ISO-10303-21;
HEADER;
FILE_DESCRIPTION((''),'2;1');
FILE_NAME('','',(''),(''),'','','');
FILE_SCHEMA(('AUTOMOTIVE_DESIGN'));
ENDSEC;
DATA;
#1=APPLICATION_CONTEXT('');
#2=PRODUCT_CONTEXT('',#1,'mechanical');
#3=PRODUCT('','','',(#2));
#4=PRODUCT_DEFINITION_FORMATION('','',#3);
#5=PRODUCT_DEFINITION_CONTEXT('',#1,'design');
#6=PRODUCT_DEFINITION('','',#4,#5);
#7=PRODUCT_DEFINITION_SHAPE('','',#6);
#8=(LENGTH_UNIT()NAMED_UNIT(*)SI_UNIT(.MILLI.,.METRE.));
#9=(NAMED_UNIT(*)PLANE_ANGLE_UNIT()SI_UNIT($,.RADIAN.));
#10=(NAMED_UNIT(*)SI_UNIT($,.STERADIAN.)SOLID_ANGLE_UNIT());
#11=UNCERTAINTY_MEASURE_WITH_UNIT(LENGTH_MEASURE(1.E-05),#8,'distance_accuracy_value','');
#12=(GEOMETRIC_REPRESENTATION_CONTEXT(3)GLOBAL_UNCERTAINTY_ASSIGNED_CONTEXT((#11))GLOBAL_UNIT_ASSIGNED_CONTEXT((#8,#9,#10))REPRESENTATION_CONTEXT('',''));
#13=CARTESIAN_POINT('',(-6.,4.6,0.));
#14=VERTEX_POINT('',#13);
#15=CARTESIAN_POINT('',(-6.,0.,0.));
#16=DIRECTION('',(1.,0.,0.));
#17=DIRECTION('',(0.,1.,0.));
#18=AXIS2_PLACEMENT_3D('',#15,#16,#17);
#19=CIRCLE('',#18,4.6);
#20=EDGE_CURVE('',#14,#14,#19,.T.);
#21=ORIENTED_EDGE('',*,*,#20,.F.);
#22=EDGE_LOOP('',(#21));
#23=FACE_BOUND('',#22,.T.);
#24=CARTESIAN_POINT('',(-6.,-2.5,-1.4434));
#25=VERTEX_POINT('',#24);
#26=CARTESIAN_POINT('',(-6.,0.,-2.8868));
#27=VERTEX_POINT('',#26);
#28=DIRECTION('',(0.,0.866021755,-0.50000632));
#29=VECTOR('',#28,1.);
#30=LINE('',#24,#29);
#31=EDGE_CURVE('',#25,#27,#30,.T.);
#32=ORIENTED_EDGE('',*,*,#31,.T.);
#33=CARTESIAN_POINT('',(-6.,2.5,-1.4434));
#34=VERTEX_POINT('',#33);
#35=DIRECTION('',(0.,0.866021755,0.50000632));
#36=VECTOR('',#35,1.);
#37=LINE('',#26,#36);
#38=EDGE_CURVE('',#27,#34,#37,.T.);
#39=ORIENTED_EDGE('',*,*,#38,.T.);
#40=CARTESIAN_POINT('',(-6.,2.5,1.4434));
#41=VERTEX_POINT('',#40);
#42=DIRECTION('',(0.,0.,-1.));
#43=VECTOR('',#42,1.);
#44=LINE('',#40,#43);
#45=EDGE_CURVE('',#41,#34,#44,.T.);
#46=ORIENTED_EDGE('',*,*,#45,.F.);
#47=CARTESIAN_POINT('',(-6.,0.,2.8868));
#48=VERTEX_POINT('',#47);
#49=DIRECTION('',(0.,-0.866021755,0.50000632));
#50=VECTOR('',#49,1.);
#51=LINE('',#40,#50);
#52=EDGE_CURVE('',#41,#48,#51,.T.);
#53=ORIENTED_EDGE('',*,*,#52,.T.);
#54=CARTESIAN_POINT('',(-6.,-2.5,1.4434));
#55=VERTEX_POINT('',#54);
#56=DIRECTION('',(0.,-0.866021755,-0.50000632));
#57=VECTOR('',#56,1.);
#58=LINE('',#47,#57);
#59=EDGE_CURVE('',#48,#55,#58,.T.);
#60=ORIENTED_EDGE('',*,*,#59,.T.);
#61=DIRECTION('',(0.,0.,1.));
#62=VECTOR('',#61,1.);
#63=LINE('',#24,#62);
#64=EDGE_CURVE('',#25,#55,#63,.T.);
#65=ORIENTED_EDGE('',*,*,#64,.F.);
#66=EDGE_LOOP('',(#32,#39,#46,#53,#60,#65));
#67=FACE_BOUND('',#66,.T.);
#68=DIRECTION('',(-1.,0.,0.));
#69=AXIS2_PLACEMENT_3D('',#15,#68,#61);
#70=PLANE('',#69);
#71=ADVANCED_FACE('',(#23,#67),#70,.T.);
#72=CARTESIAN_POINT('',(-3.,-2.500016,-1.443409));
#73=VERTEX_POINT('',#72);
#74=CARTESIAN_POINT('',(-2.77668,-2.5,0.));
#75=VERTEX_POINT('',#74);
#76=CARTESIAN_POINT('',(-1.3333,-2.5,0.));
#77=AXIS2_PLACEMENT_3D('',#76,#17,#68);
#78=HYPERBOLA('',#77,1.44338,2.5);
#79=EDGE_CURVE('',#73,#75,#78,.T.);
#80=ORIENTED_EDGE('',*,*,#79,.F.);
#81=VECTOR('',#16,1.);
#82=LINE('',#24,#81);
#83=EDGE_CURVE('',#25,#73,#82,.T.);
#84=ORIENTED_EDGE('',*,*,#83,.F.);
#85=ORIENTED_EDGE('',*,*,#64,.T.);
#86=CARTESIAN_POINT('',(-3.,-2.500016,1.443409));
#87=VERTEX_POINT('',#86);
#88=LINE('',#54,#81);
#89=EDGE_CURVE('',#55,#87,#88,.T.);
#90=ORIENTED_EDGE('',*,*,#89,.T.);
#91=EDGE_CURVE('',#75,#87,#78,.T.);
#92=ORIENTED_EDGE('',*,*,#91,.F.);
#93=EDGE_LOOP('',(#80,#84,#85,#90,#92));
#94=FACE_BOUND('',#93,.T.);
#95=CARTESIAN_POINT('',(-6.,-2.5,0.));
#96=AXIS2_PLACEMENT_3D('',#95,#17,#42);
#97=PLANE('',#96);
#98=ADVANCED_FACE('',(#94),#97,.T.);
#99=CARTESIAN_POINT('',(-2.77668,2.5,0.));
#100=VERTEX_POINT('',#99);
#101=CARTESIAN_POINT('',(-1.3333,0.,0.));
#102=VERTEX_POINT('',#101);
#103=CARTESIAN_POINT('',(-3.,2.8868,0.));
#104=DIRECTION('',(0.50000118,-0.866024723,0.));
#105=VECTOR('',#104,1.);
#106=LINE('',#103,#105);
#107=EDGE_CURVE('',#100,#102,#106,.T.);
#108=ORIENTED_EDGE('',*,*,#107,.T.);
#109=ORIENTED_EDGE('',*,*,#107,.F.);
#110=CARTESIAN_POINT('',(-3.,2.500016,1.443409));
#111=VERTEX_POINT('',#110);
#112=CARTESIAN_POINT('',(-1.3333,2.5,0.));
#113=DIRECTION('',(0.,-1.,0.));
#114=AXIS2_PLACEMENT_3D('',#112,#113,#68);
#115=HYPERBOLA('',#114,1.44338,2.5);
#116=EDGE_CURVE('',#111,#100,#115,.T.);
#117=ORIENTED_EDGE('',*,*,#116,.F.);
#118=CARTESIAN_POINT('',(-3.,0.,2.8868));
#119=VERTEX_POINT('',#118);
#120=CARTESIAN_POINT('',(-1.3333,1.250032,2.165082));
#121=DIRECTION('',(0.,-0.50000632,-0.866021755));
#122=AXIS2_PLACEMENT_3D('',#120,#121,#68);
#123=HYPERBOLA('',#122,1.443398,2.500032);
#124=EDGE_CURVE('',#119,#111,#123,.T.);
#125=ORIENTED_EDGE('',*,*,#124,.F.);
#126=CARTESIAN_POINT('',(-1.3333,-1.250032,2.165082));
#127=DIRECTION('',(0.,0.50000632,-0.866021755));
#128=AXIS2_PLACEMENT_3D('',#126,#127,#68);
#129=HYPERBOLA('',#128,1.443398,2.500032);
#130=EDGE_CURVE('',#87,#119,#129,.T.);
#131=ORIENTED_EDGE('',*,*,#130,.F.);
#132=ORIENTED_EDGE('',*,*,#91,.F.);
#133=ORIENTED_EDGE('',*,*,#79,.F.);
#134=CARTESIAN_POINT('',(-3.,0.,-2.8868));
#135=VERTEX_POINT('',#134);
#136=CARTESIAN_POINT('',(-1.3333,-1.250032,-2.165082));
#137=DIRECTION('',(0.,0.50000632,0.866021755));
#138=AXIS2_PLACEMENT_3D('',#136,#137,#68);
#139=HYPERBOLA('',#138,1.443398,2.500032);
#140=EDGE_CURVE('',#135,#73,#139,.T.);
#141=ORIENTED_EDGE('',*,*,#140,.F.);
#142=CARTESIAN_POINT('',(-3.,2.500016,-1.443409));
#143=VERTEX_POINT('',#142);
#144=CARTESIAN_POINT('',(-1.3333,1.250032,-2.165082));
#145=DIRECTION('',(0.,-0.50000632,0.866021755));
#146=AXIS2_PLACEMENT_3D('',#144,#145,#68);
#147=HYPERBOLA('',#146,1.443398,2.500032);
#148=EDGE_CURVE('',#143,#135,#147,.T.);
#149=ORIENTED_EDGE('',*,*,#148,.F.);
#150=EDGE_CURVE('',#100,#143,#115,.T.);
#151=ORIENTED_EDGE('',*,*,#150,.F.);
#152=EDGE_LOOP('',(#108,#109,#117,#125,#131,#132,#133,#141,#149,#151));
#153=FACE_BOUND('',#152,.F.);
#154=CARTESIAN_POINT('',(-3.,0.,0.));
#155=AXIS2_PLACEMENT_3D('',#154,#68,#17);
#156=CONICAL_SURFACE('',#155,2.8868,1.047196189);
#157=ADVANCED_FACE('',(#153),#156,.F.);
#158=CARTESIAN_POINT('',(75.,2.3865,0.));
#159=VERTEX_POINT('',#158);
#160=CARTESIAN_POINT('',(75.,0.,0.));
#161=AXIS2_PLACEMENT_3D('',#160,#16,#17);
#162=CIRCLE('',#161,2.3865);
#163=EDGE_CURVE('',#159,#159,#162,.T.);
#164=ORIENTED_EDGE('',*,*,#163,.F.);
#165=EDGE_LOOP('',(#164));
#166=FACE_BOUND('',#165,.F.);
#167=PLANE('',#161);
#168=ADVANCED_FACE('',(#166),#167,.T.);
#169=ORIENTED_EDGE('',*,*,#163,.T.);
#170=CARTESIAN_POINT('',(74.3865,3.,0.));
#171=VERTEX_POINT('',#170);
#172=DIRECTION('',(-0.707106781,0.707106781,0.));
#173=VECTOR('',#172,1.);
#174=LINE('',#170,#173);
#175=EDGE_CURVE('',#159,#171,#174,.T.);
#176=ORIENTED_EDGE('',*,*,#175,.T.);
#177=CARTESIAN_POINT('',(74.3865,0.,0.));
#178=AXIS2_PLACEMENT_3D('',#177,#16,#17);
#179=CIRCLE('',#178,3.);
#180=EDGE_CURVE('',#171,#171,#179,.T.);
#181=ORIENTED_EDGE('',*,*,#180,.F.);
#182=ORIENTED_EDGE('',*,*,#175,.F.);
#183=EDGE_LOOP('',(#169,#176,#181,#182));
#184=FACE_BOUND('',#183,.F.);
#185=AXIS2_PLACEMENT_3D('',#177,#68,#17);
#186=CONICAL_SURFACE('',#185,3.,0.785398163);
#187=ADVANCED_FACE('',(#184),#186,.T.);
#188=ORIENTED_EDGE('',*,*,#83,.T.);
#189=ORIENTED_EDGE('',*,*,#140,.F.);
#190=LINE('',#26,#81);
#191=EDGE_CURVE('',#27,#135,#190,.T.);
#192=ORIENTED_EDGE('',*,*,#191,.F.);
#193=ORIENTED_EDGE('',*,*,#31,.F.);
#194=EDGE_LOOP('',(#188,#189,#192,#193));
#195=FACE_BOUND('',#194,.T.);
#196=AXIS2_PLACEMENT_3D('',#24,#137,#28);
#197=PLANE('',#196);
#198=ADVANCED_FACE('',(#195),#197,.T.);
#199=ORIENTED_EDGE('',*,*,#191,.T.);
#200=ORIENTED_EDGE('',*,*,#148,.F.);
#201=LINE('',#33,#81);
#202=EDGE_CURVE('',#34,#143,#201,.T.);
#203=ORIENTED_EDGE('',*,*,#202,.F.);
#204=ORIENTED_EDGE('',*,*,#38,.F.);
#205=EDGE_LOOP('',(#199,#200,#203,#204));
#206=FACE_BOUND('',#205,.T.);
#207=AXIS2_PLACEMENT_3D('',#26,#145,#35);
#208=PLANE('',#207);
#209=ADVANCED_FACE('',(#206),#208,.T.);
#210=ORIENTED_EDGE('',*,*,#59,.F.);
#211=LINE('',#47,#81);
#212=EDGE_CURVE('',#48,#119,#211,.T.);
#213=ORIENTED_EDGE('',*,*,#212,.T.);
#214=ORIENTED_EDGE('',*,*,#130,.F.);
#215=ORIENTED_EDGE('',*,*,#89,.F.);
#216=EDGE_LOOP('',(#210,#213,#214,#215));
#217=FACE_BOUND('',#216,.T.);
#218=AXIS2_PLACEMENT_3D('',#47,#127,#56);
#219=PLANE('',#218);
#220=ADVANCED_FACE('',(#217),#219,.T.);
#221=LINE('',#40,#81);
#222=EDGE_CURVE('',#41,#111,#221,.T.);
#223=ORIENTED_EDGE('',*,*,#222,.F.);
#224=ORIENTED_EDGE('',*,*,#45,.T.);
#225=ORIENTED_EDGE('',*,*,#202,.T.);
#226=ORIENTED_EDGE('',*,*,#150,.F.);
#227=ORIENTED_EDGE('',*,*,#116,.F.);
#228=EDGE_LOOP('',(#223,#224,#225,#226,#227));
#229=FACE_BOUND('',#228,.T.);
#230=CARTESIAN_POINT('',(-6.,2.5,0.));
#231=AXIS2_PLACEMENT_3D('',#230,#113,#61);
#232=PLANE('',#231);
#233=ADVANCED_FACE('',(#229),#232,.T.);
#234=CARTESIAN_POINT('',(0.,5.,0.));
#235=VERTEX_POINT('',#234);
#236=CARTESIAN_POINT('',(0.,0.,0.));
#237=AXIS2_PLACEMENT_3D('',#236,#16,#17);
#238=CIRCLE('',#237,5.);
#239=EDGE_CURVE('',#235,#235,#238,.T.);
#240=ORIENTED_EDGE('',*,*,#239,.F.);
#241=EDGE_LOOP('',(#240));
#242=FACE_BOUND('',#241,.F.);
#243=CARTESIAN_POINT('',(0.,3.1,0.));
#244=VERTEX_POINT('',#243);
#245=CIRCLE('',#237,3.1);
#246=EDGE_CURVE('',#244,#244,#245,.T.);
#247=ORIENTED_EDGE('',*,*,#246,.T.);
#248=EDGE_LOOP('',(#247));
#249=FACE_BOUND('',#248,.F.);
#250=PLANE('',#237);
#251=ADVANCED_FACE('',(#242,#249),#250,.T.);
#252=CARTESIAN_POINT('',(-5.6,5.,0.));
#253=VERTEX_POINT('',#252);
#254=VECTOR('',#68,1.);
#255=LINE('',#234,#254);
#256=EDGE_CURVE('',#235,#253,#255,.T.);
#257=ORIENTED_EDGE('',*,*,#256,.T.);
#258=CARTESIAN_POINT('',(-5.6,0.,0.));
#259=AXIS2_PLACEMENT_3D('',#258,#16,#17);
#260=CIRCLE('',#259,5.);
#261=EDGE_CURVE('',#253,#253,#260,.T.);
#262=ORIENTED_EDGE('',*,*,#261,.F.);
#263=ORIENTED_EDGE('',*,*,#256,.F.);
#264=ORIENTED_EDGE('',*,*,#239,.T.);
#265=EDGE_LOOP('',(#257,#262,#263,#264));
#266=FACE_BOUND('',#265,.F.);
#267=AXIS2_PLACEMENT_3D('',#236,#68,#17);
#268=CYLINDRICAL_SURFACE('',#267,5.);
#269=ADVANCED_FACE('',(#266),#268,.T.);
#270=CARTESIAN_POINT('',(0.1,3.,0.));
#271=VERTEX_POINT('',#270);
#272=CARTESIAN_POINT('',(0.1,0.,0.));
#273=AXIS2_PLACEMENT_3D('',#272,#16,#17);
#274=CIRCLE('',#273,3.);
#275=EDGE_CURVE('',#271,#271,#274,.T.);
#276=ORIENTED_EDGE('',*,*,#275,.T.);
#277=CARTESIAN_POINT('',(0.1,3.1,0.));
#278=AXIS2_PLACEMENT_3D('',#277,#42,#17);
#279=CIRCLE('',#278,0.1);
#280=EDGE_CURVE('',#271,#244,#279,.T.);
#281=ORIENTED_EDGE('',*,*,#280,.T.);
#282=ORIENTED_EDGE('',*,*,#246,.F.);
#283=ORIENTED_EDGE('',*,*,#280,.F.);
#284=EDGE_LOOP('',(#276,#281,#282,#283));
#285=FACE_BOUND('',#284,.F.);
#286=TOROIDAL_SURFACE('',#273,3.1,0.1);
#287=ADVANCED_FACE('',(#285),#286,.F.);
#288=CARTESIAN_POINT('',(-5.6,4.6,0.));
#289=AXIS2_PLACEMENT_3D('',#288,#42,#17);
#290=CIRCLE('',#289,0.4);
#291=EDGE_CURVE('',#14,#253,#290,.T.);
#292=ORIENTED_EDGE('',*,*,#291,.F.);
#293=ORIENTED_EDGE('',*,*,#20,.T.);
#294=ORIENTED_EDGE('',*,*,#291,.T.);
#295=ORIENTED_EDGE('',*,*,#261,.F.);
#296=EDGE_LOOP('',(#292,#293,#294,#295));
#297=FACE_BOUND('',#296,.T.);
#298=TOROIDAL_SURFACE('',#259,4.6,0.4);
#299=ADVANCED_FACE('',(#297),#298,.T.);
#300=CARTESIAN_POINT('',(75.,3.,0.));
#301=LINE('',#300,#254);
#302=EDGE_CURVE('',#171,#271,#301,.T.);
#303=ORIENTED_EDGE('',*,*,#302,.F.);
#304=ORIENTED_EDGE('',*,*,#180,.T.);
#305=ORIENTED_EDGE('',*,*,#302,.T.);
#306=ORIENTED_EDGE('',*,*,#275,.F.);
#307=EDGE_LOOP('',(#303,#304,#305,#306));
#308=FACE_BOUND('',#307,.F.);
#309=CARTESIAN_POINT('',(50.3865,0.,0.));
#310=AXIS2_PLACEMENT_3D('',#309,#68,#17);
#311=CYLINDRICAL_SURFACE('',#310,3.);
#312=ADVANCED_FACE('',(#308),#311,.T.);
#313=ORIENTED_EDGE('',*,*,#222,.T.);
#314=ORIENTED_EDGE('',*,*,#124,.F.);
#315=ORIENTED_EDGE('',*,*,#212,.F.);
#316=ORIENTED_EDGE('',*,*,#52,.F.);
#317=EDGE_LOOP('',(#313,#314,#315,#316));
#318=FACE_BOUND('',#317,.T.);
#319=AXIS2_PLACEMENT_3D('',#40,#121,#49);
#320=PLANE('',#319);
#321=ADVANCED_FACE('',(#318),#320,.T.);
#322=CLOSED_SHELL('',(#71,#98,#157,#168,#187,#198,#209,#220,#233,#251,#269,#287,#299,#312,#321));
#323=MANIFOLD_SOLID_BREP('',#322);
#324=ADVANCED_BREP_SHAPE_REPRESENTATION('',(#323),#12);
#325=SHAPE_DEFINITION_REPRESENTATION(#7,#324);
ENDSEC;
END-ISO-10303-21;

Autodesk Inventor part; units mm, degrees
ref_plane "YZ Plane" through (0, 0, 0) normal (1, 0, 0) x (0, 1, 0)
ref_plane "XZ Plane" through (0, 0, 0) normal (0, 1, 0) x (-1, 0, 0)
sketch "Sketch1" plane through (0, 0, 0) normal (0, 0, 1) x (1, 0, 0)
  line L0 (-1.3333, 0) -> (75, 0)
  line L1 (75, 0) -> (75, 3)
  line L2 (75, 3) -> (51, 3)
  line L3 (51, 3) -> (50.3865, 3)
  line L4 (50.3865, 3) -> (0, 3)
  line L5 (0, 3) -> (0, 5)
  line L6 (0, 5) -> (-6, 5)
  line L7 (-6, 5) -> (-6, 2.8868)
  line L8 (-6, 2.8868) -> (-3, 2.8868)
  line L9 (-3, 2.8868) -> (-1.3333, 0)
  line L10 (-22.2, 0) -> (91.2, 0) projected
  line L11 (0, -1) -> (0, 6) projected
  line L12 (51, 3) -> (0, 3) construction
  dimension "d1" = 24
  dimension "d2" = 0.6136
  dimension "d3" = 6
  dimension "d4" = 3
  dimension "d5" = 60
  dimension "d6" = 6
  dimension "d7" = 6
  dimension "d8" = 5.7735
  dimension "d9" = 10
  dimension "d26" = 75
revolve "Body" add sketch "Sketch1" angle 360 about axis through (-1.3333, 0, 0) along (1, 0, 0)
sketch "Sketch2" plane through (-6, 0, 0) normal (-1, 0, 0) x (0, 0, 1)
  circle A0 centre (0, 0) radius 2.8868 projected
  line L0 (0, -7) -> (0, 7) projected
  line L1 (-7, 0) -> (7, 0) projected
  line L2 (2.8868, 0) -> (1.4434, -2.5)
  line L3 (1.4434, -2.5) -> (-1.4434, -2.5)
  line L4 (-1.4434, -2.5) -> (-2.8868, 0)
  line L5 (-2.8868, 0) -> (-1.4434, 2.5)
  line L6 (-1.4434, 2.5) -> (1.4434, 2.5)
  line L7 (1.4434, 2.5) -> (2.8868, 0)
extrude "Slot" add sketch "Sketch2" against normal up to next contours L7 A0 | A0 L2 | L6 L0 A0 | A0 L0 L3 | L0 L6 A0 | A0 L3 L0 | L4 A0 | A0 L5
fillet "Fillet1" radius 0.4 1 edges at (-6, -5, 0)
thread "Thread" size "M6x1" class "6g" standard "ISO Metric profile" length 24
chamfer "Chamfer1" distance 0.6135 distance2 0.6135 1 edges at (75, -3, 0) measured on face at (75, -0.9709, -1.4067)
ref_plane "Work Plane1" through (29, 0, 0) normal (0, -1, 0) x (1, 0, 0)
fillet "Fillet2" radius 0.1 1 edges at (0, -3, 0)
equation "\"d1\" = GEL"
equation "\"d3\" = KOH"
equation "\"d4\" = INTI"
equation "\"d6\" = GD"
equation "\"d7\" = BDM"
equation "\"d8\" = 1.1547 * SW"
equation "\"d9\" = KOD"
equation "\"d26\" = NLG"
equation "\"d30\" = R"
equation "\"d17\" = RR"
equation "\"d13\" = GEL"
equation "\"d15\" = -0.5 * SPD + 0.5 * GD"
equation "\"d16\" = GUL"
equation "\"GD\" = NND"
equation "\"NLG\" = 75"
equation "\"GEL\" = 24"
equation "\"KOD\" = 10"
equation "\"KOH\" = NND"
equation "\"INTI\" = 3"
equation "\"GAL\" = 0.61345 * PTC"
equation "\"GUL\" = 0.61345 * PTC"
equation "\"BDM\" = NND"
equation "\"SW\" = 5"
equation "\"RR\" = 0.4"
equation "\"SPD\" = NND - 1.2269 * PTC"
equation "\"R\" = 0.1"
equation "\"PHH\" = 0.1 * NND"
equation "\"GD1\" = THREADDIA - 1.2269 * PTC"
equation "\"THREADDIA\" = 6"
equation "\"FAWI\" = 45deg"
equation "\"PTC\" = 1"
equation "\"NND\" = 6"
equation "\"FAWI1\" = 30deg"
equation "\"TOA\" = 30deg"
equation "\"E0\" = 1.155 * SW"
properties part number "Unbrako - M6 x 75" material "Steel, Mild"
